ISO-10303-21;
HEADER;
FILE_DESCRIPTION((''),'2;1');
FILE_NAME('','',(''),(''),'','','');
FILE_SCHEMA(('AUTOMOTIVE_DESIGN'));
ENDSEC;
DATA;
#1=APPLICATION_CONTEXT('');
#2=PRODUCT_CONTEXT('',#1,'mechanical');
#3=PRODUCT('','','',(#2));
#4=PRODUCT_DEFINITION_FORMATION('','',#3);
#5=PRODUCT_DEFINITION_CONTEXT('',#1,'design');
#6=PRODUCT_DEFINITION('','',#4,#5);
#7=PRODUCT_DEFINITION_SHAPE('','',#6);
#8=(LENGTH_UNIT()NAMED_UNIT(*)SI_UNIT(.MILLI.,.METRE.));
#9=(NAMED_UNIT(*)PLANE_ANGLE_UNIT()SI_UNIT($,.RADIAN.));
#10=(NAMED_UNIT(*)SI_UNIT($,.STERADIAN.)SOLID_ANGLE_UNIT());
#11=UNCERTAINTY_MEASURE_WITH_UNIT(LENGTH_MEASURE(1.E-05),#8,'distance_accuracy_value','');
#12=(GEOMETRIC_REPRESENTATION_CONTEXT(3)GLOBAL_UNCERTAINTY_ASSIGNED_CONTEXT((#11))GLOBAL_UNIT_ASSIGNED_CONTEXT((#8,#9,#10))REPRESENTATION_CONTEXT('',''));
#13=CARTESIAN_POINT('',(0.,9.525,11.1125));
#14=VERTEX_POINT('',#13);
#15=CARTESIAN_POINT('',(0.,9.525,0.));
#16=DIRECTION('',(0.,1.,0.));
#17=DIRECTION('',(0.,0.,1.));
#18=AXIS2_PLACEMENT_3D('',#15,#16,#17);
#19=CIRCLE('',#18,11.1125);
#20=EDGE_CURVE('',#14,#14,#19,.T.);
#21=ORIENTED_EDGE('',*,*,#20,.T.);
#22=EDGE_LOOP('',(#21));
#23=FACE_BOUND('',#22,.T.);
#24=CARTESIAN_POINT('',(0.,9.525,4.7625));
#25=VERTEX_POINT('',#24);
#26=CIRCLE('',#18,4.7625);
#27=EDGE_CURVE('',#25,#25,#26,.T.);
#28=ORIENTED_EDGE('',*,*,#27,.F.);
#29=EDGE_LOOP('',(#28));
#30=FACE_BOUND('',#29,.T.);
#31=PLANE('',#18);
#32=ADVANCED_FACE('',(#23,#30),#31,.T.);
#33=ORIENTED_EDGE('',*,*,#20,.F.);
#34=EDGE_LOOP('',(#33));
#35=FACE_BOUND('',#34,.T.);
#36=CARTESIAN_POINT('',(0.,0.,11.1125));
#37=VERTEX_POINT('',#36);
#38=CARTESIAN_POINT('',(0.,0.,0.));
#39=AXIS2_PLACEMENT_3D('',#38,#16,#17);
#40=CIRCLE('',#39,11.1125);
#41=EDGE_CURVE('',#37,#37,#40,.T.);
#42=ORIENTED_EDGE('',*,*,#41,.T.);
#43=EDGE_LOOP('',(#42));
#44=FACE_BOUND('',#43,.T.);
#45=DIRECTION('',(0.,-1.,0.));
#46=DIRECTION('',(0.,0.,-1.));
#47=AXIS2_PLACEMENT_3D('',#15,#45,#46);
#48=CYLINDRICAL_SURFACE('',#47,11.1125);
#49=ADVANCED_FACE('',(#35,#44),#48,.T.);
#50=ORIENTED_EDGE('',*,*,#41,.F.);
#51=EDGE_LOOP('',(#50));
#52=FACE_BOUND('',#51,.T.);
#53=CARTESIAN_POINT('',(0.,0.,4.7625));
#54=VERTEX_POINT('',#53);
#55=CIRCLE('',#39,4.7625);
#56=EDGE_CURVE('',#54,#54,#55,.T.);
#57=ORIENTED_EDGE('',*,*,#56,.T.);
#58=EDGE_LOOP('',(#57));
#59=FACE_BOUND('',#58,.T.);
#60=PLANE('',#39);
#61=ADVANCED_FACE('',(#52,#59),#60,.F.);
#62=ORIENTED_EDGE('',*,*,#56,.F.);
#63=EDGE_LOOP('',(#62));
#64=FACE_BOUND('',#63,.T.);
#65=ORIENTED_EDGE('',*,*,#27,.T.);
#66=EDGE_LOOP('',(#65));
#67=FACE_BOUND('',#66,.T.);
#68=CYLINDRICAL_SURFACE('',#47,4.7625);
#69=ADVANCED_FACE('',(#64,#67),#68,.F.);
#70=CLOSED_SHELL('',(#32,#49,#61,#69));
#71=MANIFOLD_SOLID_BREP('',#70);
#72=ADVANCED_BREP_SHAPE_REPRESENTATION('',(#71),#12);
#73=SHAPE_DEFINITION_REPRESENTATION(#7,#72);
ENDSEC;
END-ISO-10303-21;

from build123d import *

# Parameters (mm, degrees)
SKETCH1_R           = 11.1125
SKETCH1_R_2         = 4.7625
BOSS_EXTRUDE1_DEPTH = 9.525


with BuildPart() as part:
    # Sketch1 → Boss-Extrude1 (new body)
    with BuildSketch(Plane(origin=(0, 0, 0), x_dir=(1, 0, 0), z_dir=(0, 1, 0))):
        Circle(SKETCH1_R)
        Circle(SKETCH1_R_2, mode=Mode.SUBTRACT)
    extrude(amount=BOSS_EXTRUDE1_DEPTH)


solid = part.part
